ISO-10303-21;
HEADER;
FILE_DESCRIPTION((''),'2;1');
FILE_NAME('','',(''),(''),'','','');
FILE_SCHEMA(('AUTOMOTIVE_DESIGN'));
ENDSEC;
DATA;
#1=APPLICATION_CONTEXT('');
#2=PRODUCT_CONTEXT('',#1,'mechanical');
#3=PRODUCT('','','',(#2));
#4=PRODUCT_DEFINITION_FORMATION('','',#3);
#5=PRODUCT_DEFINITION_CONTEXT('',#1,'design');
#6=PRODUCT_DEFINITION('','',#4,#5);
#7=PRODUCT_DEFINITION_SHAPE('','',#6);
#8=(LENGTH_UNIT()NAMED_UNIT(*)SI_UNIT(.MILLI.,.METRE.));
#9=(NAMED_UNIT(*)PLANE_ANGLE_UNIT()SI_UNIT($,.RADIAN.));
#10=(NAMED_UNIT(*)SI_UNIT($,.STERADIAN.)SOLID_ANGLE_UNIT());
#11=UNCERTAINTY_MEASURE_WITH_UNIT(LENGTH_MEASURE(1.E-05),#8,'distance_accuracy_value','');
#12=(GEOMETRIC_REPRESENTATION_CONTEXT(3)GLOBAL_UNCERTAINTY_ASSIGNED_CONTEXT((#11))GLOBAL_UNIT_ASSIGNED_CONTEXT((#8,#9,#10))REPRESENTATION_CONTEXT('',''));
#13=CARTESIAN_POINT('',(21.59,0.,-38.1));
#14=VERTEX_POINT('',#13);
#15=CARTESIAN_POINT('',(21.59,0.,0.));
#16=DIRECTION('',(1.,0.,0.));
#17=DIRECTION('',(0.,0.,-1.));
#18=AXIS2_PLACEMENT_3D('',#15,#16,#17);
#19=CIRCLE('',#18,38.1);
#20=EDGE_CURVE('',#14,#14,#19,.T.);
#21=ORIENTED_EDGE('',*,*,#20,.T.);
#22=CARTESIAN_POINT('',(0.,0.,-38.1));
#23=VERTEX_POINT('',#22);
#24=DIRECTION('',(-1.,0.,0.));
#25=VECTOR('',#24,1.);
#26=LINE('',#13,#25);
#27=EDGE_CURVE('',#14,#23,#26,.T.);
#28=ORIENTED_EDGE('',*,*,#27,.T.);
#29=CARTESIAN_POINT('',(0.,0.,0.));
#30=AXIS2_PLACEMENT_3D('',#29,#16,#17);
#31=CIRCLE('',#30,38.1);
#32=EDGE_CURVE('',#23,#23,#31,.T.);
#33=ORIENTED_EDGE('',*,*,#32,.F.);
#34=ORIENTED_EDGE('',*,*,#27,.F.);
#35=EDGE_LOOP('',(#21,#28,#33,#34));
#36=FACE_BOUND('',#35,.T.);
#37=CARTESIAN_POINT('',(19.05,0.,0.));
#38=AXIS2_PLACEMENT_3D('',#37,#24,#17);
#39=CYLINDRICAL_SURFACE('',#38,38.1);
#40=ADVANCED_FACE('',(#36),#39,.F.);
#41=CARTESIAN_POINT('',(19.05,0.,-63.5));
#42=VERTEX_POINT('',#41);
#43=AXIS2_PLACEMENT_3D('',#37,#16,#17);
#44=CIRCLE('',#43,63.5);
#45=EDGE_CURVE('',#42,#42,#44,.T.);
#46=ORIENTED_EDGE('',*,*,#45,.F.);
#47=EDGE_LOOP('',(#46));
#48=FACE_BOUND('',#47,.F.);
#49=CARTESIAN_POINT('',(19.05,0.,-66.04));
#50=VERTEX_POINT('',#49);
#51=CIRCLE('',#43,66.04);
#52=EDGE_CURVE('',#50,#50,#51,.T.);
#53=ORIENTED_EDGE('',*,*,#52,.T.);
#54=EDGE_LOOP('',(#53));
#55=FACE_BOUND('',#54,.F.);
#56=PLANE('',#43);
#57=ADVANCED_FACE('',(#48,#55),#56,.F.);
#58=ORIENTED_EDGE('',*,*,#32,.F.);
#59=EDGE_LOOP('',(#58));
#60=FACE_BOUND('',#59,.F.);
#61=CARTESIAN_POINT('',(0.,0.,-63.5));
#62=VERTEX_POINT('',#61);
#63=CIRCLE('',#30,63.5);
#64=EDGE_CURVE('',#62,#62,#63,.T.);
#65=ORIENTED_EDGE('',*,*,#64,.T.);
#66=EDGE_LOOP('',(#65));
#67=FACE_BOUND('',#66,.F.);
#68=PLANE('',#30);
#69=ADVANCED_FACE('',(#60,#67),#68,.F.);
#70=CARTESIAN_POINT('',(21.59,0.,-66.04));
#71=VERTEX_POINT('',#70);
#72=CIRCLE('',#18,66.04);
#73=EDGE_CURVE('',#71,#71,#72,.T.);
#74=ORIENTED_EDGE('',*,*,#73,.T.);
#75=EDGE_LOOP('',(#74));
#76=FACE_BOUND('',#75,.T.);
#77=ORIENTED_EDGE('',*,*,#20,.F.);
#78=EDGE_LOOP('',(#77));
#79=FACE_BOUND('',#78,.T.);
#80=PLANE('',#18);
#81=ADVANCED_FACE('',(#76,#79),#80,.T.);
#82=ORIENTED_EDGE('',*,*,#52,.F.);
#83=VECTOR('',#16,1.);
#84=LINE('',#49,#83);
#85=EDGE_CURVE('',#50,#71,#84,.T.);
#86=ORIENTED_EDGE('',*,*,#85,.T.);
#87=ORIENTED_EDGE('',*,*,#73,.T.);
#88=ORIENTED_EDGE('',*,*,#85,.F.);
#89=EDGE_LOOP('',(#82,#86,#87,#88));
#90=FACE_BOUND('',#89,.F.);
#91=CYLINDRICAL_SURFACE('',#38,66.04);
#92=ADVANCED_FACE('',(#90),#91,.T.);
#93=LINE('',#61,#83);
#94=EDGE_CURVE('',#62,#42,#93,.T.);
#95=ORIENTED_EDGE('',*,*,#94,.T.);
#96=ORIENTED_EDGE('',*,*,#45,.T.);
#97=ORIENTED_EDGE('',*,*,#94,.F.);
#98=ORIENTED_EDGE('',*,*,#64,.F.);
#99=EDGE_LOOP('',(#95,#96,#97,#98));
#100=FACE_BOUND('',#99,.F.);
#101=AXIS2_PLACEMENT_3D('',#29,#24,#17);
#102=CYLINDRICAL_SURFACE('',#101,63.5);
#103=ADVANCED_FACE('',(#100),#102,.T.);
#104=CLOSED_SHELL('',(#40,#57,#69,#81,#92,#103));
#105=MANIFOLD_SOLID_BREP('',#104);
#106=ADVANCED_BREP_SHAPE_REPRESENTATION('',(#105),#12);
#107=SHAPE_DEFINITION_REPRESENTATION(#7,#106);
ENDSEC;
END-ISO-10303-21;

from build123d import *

# Parameters (mm, degrees)
SKETCH2_R           = 63.5
SKETCH2_R_2         = 38.1
BOSS_EXTRUDE1_DEPTH = 19.05
SKETCH3_R           = 66.04
SKETCH3_R_2         = 38.1
BOSS_EXTRUDE2_DEPTH = 2.54


with BuildPart() as part:
    # Sketch2 → Boss-Extrude1 (new body)
    with BuildSketch(Plane(origin=(0, 0, 0), x_dir=(0, 0, -1), z_dir=(1, 0, 0))):
        Circle(SKETCH2_R)
        Circle(SKETCH2_R_2, mode=Mode.SUBTRACT)
    extrude(amount=BOSS_EXTRUDE1_DEPTH)

    # Sketch3 → Boss-Extrude2 (add)
    with BuildSketch(Plane(origin=(19.05, 0, 0), x_dir=(0, 0, -1), z_dir=(1, 0, 0))):
        Circle(SKETCH3_R)
        Circle(SKETCH3_R_2, mode=Mode.SUBTRACT)
    extrude(amount=BOSS_EXTRUDE2_DEPTH)


solid = part.part
